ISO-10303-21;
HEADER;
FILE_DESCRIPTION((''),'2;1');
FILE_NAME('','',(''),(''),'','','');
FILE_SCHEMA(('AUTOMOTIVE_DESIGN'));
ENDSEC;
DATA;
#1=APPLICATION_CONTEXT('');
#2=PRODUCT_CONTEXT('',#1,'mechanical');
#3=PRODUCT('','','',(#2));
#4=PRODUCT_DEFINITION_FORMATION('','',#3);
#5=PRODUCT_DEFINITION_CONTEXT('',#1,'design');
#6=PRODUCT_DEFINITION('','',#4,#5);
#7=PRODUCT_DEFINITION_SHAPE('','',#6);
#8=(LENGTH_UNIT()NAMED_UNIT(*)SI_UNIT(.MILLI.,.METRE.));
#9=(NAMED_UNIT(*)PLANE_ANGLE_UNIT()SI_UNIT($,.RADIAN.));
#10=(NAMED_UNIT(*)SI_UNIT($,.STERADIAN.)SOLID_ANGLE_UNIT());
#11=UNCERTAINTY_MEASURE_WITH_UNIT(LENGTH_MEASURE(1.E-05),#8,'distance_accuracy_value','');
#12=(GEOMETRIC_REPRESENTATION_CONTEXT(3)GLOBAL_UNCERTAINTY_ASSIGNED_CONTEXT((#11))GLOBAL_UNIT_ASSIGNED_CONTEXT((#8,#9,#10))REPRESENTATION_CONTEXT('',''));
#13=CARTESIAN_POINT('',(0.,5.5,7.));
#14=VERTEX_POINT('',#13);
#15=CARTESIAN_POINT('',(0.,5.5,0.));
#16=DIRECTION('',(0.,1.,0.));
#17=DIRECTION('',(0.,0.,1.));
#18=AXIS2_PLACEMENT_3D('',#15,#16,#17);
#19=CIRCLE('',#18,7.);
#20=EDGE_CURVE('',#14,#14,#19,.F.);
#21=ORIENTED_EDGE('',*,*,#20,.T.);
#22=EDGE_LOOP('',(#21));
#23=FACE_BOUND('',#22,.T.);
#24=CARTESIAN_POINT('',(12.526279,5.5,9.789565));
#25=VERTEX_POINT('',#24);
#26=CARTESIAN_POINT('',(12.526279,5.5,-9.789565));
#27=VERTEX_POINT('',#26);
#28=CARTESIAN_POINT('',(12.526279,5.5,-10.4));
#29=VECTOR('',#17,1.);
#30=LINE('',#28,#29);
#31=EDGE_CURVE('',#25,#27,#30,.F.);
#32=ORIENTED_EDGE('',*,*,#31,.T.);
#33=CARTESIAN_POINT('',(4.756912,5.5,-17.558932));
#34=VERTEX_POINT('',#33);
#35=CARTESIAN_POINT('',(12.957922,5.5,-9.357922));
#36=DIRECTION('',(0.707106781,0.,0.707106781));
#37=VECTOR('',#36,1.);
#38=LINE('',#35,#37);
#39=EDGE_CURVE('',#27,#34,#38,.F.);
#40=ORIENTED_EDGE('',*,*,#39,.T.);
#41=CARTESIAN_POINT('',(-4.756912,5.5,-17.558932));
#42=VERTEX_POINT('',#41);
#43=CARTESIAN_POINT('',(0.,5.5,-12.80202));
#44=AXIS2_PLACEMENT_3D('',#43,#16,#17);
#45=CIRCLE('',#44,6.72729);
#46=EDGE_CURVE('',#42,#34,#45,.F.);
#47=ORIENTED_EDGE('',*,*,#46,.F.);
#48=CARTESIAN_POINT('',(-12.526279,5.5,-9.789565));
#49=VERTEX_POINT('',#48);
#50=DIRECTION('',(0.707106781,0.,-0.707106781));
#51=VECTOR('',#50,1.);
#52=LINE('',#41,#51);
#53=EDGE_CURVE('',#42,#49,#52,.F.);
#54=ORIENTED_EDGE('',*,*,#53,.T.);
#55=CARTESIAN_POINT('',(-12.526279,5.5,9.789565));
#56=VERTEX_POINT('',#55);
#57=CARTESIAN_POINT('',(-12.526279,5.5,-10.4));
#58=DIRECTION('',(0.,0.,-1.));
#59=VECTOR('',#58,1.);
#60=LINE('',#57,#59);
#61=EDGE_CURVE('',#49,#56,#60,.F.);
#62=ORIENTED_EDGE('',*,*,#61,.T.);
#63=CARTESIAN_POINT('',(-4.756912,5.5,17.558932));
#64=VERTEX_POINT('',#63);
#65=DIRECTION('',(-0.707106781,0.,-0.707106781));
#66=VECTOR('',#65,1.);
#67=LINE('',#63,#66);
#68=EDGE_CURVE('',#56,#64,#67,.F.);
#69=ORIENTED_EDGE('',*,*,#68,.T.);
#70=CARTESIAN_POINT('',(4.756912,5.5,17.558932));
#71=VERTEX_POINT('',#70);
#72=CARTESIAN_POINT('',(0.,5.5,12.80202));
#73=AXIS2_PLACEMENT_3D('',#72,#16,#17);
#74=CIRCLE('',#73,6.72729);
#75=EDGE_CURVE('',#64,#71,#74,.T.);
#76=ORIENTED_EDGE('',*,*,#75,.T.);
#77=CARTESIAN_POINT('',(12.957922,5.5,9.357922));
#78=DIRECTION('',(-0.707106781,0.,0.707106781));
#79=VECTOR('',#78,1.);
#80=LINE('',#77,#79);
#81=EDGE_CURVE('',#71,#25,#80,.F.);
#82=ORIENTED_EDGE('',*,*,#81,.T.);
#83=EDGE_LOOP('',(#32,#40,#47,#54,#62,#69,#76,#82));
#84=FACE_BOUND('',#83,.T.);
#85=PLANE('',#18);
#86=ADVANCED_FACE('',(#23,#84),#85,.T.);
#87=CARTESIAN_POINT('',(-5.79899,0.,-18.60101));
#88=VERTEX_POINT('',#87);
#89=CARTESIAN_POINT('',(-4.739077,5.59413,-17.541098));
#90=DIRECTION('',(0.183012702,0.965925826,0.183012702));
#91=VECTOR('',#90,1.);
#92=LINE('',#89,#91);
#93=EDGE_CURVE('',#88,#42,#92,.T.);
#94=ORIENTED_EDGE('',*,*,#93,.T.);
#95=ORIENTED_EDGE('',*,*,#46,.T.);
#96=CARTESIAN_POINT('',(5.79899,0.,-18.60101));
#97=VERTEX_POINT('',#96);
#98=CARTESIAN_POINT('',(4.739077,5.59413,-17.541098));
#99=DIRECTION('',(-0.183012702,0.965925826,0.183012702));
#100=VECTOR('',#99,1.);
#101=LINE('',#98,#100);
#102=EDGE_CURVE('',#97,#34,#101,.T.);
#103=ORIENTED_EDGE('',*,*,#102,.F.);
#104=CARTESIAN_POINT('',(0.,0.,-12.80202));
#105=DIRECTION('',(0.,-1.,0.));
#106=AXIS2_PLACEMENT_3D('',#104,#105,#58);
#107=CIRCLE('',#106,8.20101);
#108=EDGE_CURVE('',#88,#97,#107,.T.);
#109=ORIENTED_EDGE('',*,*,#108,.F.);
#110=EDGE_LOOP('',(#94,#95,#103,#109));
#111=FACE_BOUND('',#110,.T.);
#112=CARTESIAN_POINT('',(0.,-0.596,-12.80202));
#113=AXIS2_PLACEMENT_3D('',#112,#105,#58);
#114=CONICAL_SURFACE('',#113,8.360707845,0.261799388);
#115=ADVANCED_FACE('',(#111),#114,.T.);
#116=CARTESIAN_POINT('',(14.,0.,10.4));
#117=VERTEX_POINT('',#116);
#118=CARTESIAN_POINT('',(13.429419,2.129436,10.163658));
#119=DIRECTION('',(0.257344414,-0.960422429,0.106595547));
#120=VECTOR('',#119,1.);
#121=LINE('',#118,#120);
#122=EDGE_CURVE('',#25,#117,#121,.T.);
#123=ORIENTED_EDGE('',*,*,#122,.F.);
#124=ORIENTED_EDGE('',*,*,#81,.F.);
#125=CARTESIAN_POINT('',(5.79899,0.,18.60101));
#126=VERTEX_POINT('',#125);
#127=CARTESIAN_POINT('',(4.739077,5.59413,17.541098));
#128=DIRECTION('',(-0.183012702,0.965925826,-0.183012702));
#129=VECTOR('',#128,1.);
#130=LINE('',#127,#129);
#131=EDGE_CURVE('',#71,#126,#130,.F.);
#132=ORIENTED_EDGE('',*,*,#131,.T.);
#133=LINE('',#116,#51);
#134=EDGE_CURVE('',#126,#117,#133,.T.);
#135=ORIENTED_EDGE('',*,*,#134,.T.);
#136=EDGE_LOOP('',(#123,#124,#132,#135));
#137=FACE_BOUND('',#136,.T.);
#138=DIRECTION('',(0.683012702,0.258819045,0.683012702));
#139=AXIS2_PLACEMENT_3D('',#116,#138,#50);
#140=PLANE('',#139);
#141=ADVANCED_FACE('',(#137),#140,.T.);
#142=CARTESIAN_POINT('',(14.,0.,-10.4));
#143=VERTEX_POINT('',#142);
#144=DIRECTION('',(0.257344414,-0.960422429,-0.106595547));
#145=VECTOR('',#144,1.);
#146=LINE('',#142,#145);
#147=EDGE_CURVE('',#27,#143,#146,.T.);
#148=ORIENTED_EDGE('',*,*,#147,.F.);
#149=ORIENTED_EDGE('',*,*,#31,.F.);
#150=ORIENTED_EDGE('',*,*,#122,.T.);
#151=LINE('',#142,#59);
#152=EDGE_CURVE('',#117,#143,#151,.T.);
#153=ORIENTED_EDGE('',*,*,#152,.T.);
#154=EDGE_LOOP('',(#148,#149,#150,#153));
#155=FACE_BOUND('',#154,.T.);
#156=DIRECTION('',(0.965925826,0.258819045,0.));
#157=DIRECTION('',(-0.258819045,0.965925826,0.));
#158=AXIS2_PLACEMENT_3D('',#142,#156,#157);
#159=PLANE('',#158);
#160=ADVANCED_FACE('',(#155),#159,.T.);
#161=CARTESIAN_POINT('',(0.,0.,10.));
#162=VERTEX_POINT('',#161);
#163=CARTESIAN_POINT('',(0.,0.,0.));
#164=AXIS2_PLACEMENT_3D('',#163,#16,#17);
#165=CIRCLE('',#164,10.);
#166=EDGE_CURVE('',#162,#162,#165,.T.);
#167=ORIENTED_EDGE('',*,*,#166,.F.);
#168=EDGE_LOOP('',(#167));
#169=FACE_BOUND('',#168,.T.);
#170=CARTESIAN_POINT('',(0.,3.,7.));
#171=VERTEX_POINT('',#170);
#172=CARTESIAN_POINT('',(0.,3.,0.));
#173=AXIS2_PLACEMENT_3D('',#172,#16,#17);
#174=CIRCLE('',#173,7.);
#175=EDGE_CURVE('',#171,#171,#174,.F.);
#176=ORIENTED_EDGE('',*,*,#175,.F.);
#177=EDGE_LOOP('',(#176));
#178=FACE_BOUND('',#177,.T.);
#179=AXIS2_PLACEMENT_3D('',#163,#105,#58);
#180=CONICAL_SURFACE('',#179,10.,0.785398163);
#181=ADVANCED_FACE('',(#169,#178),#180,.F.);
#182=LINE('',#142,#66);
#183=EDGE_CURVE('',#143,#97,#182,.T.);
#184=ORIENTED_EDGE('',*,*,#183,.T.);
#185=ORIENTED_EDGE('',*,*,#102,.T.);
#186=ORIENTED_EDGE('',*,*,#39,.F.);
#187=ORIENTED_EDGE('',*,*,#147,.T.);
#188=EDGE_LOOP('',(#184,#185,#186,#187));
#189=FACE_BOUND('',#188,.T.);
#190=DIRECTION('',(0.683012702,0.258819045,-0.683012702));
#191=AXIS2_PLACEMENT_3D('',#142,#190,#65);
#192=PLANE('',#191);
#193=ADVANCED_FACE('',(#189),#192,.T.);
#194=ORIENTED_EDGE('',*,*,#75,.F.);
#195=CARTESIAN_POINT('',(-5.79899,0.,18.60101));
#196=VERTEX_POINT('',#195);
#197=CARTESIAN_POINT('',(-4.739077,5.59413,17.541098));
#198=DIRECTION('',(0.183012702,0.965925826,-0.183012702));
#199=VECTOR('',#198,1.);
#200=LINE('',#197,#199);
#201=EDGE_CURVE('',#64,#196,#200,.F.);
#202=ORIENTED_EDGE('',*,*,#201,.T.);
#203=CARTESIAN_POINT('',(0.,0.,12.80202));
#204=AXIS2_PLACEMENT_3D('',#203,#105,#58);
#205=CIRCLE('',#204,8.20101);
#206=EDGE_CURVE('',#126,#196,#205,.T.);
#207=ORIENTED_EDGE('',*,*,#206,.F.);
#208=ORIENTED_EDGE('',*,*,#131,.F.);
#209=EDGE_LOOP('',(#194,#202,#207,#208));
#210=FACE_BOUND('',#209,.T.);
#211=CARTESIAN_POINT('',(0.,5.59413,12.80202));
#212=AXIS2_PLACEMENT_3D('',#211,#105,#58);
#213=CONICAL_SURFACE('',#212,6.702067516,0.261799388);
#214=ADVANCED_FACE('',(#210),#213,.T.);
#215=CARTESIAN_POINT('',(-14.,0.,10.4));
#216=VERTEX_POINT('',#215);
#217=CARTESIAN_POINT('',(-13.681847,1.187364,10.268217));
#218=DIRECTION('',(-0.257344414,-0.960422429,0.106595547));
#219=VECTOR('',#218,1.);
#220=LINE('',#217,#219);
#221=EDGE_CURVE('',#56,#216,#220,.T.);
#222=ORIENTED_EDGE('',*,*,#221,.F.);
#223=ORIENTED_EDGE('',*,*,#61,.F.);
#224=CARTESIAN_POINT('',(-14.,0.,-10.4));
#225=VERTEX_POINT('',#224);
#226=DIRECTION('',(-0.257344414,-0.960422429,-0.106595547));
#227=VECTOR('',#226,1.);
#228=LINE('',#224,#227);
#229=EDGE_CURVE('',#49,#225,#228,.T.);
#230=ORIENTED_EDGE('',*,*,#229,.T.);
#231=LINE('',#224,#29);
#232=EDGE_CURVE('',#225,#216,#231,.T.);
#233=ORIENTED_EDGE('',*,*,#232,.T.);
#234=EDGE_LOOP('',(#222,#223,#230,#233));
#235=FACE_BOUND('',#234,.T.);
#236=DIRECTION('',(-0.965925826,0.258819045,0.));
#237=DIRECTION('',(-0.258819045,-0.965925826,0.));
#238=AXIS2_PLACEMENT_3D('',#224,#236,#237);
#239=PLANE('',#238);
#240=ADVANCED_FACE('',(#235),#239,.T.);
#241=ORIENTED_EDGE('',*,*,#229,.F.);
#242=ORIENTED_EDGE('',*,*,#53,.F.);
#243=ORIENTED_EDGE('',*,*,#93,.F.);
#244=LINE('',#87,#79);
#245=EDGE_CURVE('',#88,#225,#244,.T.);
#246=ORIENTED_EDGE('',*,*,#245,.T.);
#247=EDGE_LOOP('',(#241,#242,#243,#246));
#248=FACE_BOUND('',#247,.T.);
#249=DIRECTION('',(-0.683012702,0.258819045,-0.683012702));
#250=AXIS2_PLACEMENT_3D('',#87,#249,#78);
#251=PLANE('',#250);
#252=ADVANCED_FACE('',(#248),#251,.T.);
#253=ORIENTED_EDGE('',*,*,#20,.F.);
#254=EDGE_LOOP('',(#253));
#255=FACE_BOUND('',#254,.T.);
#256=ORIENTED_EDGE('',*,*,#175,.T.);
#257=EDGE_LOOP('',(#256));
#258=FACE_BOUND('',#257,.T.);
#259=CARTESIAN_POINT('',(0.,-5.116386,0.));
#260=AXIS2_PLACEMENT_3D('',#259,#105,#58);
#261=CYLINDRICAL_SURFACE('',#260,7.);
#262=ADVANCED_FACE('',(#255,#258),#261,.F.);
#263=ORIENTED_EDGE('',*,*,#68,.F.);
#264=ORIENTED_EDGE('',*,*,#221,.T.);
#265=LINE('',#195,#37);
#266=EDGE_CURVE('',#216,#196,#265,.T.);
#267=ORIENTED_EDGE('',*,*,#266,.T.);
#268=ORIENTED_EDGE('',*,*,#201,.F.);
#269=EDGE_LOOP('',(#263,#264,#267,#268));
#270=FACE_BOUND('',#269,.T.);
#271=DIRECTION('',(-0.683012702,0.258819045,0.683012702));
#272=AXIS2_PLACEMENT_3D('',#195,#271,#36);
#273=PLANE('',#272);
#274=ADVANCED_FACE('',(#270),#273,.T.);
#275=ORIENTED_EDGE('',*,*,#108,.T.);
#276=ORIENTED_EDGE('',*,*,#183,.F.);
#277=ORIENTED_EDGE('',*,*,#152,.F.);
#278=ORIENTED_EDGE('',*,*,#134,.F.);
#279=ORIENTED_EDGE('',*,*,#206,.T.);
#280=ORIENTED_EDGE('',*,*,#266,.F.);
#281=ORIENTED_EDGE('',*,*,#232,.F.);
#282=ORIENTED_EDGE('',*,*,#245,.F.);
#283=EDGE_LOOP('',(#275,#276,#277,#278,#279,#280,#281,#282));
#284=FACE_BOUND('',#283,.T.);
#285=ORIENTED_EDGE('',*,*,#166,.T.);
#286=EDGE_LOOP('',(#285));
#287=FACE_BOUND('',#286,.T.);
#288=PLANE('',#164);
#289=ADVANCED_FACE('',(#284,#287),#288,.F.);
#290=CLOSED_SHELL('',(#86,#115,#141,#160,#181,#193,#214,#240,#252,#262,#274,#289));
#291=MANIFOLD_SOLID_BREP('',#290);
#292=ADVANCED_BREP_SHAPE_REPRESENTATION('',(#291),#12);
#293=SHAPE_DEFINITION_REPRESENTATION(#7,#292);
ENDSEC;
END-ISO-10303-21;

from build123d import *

# Parameters (mm, degrees)
BOSS_EXTRUDE1_DEPTH                            = 5.5
DRAFT1_ANGLE                                   = -15
BOSS_EXTRUDE3_DEPTH                            = 5.5
SKETCH11_W                                     = 36
SKETCH11_H                                     = 45
BOSS_EXTRUDE4_DEPTH                            = 7
SKETCH12_R                                     = 1.65
CUT_EXTRUDE1_DEPTH                             = 10
CSK_FOR_M4_FLAT_HEAD_MACHINE_SCREW1_AT_2_COUNT = 2
CSK_FOR_M4_FLAT_HEAD_MACHINE_SCREW1_AT_2_PITCH = 26
CSK_FOR_M4_FLAT_HEAD_MACHINE_SCREW1_AT_3_COUNT = 2
CSK_FOR_M4_FLAT_HEAD_MACHINE_SCREW1_AT_3_PITCH = 35
CSK_FOR_M4_FLAT_HEAD_MACHINE_SCREW1_AT_4_COUNT = 2
CSK_FOR_M4_FLAT_HEAD_MACHINE_SCREW1_AT_4_PITCH = 43.600458713
FILLET1_R                                      = 5
CHAMFER1_SIZE                                  = 3
CUT_EXTRUDE2_DEPTH                             = 7


with BuildPart() as part:
    # Sketch1 → Boss-Extrude1 (new body)
    with BuildSketch(Plane(origin=(0, 0, 0), x_dir=(1, 0, 0), z_dir=(0, 1, 0))):
        Polygon((-5.798989873, -18.601010127), (-14, -10.4), (-14, 10.4), (-5.798989873, 18.601010127), (5.798989873, 18.601010127), (14, 10.4), (14, -10.4), (5.798989873, -18.601010127), align=None)
    extrude(amount=BOSS_EXTRUDE1_DEPTH)

    # Draft1
    draft1_faces = [part.faces().sort_by_distance(p)[0] for p in [
        (0, 2.75, 18.601010127),
        (-9.899494937, 2.75, 14.500505063),
        (-14, 2.75, 0),
        (9.899494937, 2.75, 14.500505063),
        (-9.899494937, 2.75, -14.500505063),
        (0, 2.75, -18.601010127),
        (9.899494937, 2.75, -14.500505063),
        (14, 2.75, 0),
    ]]
    draft(draft1_faces, Plane(origin=(0, 0, 0), x_dir=(0, 0, -1), z_dir=(0, -1, 0)), DRAFT1_ANGLE)

    # Sketch10 → Boss-Extrude3 (add)
    with BuildSketch(Plane.XZ):
        with BuildLine():
            Line((-14, -10.4), (14, -10.4))
            Line((14, -10.4), (5.798989873, -18.601010127))
            ThreePointArc((5.798989873, -18.601010127), (0, -21.00303038), (-5.798989873, -18.601010127))
            Line((-5.798989873, -18.601010127), (-14, -10.4))
        make_face()
        with BuildLine():
            Line((-14, 10.4), (14, 10.4))
            Line((14, 10.4), (5.798989873, 18.601010127))
            ThreePointArc((5.798989873, 18.601010127), (0, 21.00303038), (-5.798989873, 18.601010127))
            Line((-5.798989873, 18.601010127), (-14, 10.4))
        make_face()
    extrude(amount=-BOSS_EXTRUDE3_DEPTH)

    # Cut-Sweep1: sweep along a path in Sketch9
    with BuildLine(Plane.XZ) as cut_sweep1_path:
        Line((-20.807897552, -3.592102448), (-14, -10.4))
        Line((-14, -10.4), (-5.798989873, -18.601010127))
        ThreePointArc((-5.798989873, -18.601010127), (0, -21.00303038), (5.798989873, -18.601010127))
        Line((5.798989873, -18.601010127), (14, -10.4))
        Line((14, -10.4), (20.807897552, -3.592102448))
    # Sketch7 → Cut-Sweep1 (sweep, cut)
    with BuildSketch(Plane(origin=(14, 0, -10.4), x_dir=(-0.7071067811865477, 0, 0.7071067811865474), z_dir=(-0.7071067811865474, 0, -0.7071067811865477))):
        with BuildLine():
            Line((-3.263557389, 5.754), (1.376270031, 5.754))
            ThreePointArc((1.376270031, 5.754), (1.477025905, 5.704312701), (1.498942611, 5.594129981))
            Line((1.498942611, 5.594129981), (-0.159697719, -0.596))
            Line((-0.159697719, -0.596), (-3.263557389, -0.596))
            Line((-3.263557389, -0.596), (-3.263557389, 5.754))
        make_face()
    cut_sweep1 = sweep(path=cut_sweep1_path.line, mode=Mode.SUBTRACT)

    # Mirror1: Cut-Sweep1 across plane
    add(cut_sweep1.mirror(Plane.XY), mode=Mode.SUBTRACT)

    # Sketch11 → Boss-Extrude4 (add)
    with BuildSketch(Plane(origin=(0, 5.5, 0), x_dir=(1, 0, 0), z_dir=(0, 1, 0))):
        Rectangle(SKETCH11_W, SKETCH11_H)
    extrude(amount=BOSS_EXTRUDE4_DEPTH)

    # Sketch12 → Cut-Extrude1 (cut)
    with BuildSketch(Plane.XZ.offset(-5.5)):
        with Locations(Location((-13, 17.5, 0), (0, 0, 270))):
            Circle(SKETCH12_R)
        with Locations(Location((13, 17.5, 0), (0, 0, 90))):
            Circle(SKETCH12_R)
        with Locations(Location((13, -17.5, 0), (0, 0, 270))):
            Circle(SKETCH12_R)
        with Locations(Location((-13, -17.5, 0), (0, 0, 90))):
            Circle(SKETCH12_R)
    extrude(amount=-CUT_EXTRUDE1_DEPTH, mode=Mode.SUBTRACT)

    # Sketch3 → CSK for M4 Flat Head Machine Screw1 (revolve, cut)
    with BuildSketch(Plane(origin=(13, 5.5, -17.5), x_dir=(0, 0, -1), z_dir=(1, 0, 0))):
        Polygon((0, 0), (0, 4.351936393), (2.25, 3), (2.25, 2.45), (4.7, 0), align=None)
    csk_for_m4_flat_head_machine_screw1 = revolve(axis=Axis((13, -0.85, -17.5), (0, 1, 0)), mode=Mode.SUBTRACT)

    # CSK for M4 Flat Head Machine Screw1 at 2: CSK for M4 Flat Head Machine Screw1 ×2
    with Locations(*[(-i * CSK_FOR_M4_FLAT_HEAD_MACHINE_SCREW1_AT_2_PITCH, 0, 0) for i in range(1, CSK_FOR_M4_FLAT_HEAD_MACHINE_SCREW1_AT_2_COUNT)]):
        add(csk_for_m4_flat_head_machine_screw1, mode=Mode.SUBTRACT)

    # CSK for M4 Flat Head Machine Screw1 at 3: CSK for M4 Flat Head Machine Screw1 ×2
    with Locations(*[(0, 0, i * CSK_FOR_M4_FLAT_HEAD_MACHINE_SCREW1_AT_3_PITCH) for i in range(1, CSK_FOR_M4_FLAT_HEAD_MACHINE_SCREW1_AT_3_COUNT)]):
        add(csk_for_m4_flat_head_machine_screw1, mode=Mode.SUBTRACT)

    # CSK for M4 Flat Head Machine Screw1 at 4: CSK for M4 Flat Head Machine Screw1 ×2
    with Locations(*[Vector(-0.5963240013375937, 0, 0.8027438479544529) * (i * CSK_FOR_M4_FLAT_HEAD_MACHINE_SCREW1_AT_4_PITCH) for i in range(1, CSK_FOR_M4_FLAT_HEAD_MACHINE_SCREW1_AT_4_COUNT)]):
        add(csk_for_m4_flat_head_machine_screw1, mode=Mode.SUBTRACT)

    # Fillet1
    fillet1_edges = [part.edges().sort_by_distance(p)[0] for p in [
        (18, 9, 22.5),
        (18, 9, -22.5),
        (-18, 9, -22.5),
        (-18, 9, 22.5),
    ]]
    fillet(fillet1_edges, radius=FILLET1_R)

    # Sketch13 → Cut-Revolve1 (revolve, cut)
    with BuildSketch(Plane(origin=(0, 0, 0), x_dir=(0, 0, -1), z_dir=(1, 0, 0)), mode=Mode.PRIVATE) as cut_revolve1_sk:
        Polygon((0, 14.8), (0, -4.2), (7, -4.2), (7, 2.8), (7, 21.459689624), (0, 21.459689624), align=None)
    revolve(cut_revolve1_sk.sketch.rotate(Axis((0, -5.116386004, 0), (0, 1, 0)), 180), axis=Axis((0, -5.116386004, 0), (0, 1, 0)), mode=Mode.SUBTRACT)

    # Chamfer1
    chamfer1_edges = [part.edges().sort_by_distance(p)[0] for p in [
        (0, 0, -7),
    ]]
    chamfer(chamfer1_edges, length=CHAMFER1_SIZE)

    # Sketch14 → Cut-Extrude2 (cut)
    with BuildSketch(Plane(origin=(0, 12.5, 0), x_dir=(1, 0, 0), z_dir=(0, 1, 0))):
        with BuildLine():
            Line((18, -17.5), (18, 17.5))
            ThreePointArc((18, 17.5), (16.535533906, 21.035533906), (13, 22.5))
            Line((13, 22.5), (-13, 22.5))
            ThreePointArc((-13, 22.5), (-16.535533906, 21.035533906), (-18, 17.5))
            Line((-18, 17.5), (-18, -17.5))
            ThreePointArc((-18, -17.5), (-16.535533906, -21.035533906), (-13, -22.5))
            Line((-13, -22.5), (13, -22.5))
            ThreePointArc((13, -22.5), (16.535533906, -21.035533906), (18, -17.5))
        make_face()
    extrude(amount=-CUT_EXTRUDE2_DEPTH, mode=Mode.SUBTRACT)


solid = part.part
